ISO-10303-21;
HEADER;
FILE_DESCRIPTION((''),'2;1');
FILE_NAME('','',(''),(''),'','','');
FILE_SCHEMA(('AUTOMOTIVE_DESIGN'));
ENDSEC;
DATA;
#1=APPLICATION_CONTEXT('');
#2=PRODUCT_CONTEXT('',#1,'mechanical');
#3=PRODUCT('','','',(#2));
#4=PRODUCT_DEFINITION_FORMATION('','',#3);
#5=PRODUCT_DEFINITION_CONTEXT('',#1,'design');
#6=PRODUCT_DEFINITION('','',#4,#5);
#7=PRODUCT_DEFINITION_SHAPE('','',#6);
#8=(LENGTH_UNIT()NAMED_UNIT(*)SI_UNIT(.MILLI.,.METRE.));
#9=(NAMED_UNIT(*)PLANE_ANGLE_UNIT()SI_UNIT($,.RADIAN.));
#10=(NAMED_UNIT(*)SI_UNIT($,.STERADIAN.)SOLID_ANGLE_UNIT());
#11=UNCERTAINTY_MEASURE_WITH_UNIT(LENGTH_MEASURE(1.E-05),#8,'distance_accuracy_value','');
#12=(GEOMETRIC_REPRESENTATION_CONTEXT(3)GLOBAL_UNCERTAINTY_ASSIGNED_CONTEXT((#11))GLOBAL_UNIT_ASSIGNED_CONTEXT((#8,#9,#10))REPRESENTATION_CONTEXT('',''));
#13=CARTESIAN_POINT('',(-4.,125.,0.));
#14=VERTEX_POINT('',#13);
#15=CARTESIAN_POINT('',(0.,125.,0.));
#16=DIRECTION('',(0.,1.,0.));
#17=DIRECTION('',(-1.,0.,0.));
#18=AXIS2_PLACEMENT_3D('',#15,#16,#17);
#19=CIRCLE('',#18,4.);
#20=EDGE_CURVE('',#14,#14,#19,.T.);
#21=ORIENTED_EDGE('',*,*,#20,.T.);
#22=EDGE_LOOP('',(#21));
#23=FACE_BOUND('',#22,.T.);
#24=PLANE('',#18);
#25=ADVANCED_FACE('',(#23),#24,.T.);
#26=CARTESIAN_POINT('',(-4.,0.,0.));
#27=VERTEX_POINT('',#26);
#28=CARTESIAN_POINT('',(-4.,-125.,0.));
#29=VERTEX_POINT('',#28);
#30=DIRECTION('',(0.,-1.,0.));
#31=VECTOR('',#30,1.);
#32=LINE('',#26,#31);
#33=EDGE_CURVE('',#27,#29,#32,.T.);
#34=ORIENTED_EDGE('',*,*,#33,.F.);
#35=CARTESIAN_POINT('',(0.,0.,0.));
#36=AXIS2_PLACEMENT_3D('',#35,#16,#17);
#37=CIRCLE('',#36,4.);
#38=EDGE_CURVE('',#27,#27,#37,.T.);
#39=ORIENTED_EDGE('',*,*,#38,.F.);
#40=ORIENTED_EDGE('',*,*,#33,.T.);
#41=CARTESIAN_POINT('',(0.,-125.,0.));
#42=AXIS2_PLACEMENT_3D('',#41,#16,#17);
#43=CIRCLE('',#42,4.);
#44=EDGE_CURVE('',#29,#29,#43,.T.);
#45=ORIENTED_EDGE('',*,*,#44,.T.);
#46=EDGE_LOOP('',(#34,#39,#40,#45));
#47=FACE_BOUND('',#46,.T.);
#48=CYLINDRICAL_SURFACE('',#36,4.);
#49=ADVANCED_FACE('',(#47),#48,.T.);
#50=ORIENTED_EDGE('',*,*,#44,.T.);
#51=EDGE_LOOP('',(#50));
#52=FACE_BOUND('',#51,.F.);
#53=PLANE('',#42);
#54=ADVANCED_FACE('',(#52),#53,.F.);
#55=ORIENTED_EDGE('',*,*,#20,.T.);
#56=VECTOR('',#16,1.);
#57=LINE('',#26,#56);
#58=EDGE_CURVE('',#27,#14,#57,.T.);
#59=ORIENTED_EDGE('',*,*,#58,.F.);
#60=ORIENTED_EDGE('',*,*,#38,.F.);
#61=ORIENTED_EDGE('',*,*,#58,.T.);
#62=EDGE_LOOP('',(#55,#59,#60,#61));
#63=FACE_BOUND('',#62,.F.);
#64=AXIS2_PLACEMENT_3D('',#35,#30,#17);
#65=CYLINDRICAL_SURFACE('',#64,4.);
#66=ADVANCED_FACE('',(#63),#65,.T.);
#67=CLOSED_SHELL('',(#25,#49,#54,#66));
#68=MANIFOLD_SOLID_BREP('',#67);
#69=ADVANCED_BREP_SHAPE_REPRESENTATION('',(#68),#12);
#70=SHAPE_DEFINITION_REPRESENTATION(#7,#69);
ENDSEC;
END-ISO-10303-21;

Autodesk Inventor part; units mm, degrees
ref_plane "YZ Plane" through (0, 0, 0) normal (1, 0, 0) x (0, 1, 0)
ref_plane "XZ Plane" through (0, 0, 0) normal (0, 1, 0) x (-1, 0, 0)
ref_plane "XY Plane" through (0, 0, 0) normal (0, 0, 1) x (1, 0, 0)
sketch "Sketch1" plane through (0, 0, 0) normal (0, 1, 0) x (-1, 0, 0)
  circle A0 centre (0, 0) radius 4
  dimension "d0" = 8
extrude "Extrusion1" add sketch "Sketch1" along normal mid plane 250
properties part number "eje8x250mm"
